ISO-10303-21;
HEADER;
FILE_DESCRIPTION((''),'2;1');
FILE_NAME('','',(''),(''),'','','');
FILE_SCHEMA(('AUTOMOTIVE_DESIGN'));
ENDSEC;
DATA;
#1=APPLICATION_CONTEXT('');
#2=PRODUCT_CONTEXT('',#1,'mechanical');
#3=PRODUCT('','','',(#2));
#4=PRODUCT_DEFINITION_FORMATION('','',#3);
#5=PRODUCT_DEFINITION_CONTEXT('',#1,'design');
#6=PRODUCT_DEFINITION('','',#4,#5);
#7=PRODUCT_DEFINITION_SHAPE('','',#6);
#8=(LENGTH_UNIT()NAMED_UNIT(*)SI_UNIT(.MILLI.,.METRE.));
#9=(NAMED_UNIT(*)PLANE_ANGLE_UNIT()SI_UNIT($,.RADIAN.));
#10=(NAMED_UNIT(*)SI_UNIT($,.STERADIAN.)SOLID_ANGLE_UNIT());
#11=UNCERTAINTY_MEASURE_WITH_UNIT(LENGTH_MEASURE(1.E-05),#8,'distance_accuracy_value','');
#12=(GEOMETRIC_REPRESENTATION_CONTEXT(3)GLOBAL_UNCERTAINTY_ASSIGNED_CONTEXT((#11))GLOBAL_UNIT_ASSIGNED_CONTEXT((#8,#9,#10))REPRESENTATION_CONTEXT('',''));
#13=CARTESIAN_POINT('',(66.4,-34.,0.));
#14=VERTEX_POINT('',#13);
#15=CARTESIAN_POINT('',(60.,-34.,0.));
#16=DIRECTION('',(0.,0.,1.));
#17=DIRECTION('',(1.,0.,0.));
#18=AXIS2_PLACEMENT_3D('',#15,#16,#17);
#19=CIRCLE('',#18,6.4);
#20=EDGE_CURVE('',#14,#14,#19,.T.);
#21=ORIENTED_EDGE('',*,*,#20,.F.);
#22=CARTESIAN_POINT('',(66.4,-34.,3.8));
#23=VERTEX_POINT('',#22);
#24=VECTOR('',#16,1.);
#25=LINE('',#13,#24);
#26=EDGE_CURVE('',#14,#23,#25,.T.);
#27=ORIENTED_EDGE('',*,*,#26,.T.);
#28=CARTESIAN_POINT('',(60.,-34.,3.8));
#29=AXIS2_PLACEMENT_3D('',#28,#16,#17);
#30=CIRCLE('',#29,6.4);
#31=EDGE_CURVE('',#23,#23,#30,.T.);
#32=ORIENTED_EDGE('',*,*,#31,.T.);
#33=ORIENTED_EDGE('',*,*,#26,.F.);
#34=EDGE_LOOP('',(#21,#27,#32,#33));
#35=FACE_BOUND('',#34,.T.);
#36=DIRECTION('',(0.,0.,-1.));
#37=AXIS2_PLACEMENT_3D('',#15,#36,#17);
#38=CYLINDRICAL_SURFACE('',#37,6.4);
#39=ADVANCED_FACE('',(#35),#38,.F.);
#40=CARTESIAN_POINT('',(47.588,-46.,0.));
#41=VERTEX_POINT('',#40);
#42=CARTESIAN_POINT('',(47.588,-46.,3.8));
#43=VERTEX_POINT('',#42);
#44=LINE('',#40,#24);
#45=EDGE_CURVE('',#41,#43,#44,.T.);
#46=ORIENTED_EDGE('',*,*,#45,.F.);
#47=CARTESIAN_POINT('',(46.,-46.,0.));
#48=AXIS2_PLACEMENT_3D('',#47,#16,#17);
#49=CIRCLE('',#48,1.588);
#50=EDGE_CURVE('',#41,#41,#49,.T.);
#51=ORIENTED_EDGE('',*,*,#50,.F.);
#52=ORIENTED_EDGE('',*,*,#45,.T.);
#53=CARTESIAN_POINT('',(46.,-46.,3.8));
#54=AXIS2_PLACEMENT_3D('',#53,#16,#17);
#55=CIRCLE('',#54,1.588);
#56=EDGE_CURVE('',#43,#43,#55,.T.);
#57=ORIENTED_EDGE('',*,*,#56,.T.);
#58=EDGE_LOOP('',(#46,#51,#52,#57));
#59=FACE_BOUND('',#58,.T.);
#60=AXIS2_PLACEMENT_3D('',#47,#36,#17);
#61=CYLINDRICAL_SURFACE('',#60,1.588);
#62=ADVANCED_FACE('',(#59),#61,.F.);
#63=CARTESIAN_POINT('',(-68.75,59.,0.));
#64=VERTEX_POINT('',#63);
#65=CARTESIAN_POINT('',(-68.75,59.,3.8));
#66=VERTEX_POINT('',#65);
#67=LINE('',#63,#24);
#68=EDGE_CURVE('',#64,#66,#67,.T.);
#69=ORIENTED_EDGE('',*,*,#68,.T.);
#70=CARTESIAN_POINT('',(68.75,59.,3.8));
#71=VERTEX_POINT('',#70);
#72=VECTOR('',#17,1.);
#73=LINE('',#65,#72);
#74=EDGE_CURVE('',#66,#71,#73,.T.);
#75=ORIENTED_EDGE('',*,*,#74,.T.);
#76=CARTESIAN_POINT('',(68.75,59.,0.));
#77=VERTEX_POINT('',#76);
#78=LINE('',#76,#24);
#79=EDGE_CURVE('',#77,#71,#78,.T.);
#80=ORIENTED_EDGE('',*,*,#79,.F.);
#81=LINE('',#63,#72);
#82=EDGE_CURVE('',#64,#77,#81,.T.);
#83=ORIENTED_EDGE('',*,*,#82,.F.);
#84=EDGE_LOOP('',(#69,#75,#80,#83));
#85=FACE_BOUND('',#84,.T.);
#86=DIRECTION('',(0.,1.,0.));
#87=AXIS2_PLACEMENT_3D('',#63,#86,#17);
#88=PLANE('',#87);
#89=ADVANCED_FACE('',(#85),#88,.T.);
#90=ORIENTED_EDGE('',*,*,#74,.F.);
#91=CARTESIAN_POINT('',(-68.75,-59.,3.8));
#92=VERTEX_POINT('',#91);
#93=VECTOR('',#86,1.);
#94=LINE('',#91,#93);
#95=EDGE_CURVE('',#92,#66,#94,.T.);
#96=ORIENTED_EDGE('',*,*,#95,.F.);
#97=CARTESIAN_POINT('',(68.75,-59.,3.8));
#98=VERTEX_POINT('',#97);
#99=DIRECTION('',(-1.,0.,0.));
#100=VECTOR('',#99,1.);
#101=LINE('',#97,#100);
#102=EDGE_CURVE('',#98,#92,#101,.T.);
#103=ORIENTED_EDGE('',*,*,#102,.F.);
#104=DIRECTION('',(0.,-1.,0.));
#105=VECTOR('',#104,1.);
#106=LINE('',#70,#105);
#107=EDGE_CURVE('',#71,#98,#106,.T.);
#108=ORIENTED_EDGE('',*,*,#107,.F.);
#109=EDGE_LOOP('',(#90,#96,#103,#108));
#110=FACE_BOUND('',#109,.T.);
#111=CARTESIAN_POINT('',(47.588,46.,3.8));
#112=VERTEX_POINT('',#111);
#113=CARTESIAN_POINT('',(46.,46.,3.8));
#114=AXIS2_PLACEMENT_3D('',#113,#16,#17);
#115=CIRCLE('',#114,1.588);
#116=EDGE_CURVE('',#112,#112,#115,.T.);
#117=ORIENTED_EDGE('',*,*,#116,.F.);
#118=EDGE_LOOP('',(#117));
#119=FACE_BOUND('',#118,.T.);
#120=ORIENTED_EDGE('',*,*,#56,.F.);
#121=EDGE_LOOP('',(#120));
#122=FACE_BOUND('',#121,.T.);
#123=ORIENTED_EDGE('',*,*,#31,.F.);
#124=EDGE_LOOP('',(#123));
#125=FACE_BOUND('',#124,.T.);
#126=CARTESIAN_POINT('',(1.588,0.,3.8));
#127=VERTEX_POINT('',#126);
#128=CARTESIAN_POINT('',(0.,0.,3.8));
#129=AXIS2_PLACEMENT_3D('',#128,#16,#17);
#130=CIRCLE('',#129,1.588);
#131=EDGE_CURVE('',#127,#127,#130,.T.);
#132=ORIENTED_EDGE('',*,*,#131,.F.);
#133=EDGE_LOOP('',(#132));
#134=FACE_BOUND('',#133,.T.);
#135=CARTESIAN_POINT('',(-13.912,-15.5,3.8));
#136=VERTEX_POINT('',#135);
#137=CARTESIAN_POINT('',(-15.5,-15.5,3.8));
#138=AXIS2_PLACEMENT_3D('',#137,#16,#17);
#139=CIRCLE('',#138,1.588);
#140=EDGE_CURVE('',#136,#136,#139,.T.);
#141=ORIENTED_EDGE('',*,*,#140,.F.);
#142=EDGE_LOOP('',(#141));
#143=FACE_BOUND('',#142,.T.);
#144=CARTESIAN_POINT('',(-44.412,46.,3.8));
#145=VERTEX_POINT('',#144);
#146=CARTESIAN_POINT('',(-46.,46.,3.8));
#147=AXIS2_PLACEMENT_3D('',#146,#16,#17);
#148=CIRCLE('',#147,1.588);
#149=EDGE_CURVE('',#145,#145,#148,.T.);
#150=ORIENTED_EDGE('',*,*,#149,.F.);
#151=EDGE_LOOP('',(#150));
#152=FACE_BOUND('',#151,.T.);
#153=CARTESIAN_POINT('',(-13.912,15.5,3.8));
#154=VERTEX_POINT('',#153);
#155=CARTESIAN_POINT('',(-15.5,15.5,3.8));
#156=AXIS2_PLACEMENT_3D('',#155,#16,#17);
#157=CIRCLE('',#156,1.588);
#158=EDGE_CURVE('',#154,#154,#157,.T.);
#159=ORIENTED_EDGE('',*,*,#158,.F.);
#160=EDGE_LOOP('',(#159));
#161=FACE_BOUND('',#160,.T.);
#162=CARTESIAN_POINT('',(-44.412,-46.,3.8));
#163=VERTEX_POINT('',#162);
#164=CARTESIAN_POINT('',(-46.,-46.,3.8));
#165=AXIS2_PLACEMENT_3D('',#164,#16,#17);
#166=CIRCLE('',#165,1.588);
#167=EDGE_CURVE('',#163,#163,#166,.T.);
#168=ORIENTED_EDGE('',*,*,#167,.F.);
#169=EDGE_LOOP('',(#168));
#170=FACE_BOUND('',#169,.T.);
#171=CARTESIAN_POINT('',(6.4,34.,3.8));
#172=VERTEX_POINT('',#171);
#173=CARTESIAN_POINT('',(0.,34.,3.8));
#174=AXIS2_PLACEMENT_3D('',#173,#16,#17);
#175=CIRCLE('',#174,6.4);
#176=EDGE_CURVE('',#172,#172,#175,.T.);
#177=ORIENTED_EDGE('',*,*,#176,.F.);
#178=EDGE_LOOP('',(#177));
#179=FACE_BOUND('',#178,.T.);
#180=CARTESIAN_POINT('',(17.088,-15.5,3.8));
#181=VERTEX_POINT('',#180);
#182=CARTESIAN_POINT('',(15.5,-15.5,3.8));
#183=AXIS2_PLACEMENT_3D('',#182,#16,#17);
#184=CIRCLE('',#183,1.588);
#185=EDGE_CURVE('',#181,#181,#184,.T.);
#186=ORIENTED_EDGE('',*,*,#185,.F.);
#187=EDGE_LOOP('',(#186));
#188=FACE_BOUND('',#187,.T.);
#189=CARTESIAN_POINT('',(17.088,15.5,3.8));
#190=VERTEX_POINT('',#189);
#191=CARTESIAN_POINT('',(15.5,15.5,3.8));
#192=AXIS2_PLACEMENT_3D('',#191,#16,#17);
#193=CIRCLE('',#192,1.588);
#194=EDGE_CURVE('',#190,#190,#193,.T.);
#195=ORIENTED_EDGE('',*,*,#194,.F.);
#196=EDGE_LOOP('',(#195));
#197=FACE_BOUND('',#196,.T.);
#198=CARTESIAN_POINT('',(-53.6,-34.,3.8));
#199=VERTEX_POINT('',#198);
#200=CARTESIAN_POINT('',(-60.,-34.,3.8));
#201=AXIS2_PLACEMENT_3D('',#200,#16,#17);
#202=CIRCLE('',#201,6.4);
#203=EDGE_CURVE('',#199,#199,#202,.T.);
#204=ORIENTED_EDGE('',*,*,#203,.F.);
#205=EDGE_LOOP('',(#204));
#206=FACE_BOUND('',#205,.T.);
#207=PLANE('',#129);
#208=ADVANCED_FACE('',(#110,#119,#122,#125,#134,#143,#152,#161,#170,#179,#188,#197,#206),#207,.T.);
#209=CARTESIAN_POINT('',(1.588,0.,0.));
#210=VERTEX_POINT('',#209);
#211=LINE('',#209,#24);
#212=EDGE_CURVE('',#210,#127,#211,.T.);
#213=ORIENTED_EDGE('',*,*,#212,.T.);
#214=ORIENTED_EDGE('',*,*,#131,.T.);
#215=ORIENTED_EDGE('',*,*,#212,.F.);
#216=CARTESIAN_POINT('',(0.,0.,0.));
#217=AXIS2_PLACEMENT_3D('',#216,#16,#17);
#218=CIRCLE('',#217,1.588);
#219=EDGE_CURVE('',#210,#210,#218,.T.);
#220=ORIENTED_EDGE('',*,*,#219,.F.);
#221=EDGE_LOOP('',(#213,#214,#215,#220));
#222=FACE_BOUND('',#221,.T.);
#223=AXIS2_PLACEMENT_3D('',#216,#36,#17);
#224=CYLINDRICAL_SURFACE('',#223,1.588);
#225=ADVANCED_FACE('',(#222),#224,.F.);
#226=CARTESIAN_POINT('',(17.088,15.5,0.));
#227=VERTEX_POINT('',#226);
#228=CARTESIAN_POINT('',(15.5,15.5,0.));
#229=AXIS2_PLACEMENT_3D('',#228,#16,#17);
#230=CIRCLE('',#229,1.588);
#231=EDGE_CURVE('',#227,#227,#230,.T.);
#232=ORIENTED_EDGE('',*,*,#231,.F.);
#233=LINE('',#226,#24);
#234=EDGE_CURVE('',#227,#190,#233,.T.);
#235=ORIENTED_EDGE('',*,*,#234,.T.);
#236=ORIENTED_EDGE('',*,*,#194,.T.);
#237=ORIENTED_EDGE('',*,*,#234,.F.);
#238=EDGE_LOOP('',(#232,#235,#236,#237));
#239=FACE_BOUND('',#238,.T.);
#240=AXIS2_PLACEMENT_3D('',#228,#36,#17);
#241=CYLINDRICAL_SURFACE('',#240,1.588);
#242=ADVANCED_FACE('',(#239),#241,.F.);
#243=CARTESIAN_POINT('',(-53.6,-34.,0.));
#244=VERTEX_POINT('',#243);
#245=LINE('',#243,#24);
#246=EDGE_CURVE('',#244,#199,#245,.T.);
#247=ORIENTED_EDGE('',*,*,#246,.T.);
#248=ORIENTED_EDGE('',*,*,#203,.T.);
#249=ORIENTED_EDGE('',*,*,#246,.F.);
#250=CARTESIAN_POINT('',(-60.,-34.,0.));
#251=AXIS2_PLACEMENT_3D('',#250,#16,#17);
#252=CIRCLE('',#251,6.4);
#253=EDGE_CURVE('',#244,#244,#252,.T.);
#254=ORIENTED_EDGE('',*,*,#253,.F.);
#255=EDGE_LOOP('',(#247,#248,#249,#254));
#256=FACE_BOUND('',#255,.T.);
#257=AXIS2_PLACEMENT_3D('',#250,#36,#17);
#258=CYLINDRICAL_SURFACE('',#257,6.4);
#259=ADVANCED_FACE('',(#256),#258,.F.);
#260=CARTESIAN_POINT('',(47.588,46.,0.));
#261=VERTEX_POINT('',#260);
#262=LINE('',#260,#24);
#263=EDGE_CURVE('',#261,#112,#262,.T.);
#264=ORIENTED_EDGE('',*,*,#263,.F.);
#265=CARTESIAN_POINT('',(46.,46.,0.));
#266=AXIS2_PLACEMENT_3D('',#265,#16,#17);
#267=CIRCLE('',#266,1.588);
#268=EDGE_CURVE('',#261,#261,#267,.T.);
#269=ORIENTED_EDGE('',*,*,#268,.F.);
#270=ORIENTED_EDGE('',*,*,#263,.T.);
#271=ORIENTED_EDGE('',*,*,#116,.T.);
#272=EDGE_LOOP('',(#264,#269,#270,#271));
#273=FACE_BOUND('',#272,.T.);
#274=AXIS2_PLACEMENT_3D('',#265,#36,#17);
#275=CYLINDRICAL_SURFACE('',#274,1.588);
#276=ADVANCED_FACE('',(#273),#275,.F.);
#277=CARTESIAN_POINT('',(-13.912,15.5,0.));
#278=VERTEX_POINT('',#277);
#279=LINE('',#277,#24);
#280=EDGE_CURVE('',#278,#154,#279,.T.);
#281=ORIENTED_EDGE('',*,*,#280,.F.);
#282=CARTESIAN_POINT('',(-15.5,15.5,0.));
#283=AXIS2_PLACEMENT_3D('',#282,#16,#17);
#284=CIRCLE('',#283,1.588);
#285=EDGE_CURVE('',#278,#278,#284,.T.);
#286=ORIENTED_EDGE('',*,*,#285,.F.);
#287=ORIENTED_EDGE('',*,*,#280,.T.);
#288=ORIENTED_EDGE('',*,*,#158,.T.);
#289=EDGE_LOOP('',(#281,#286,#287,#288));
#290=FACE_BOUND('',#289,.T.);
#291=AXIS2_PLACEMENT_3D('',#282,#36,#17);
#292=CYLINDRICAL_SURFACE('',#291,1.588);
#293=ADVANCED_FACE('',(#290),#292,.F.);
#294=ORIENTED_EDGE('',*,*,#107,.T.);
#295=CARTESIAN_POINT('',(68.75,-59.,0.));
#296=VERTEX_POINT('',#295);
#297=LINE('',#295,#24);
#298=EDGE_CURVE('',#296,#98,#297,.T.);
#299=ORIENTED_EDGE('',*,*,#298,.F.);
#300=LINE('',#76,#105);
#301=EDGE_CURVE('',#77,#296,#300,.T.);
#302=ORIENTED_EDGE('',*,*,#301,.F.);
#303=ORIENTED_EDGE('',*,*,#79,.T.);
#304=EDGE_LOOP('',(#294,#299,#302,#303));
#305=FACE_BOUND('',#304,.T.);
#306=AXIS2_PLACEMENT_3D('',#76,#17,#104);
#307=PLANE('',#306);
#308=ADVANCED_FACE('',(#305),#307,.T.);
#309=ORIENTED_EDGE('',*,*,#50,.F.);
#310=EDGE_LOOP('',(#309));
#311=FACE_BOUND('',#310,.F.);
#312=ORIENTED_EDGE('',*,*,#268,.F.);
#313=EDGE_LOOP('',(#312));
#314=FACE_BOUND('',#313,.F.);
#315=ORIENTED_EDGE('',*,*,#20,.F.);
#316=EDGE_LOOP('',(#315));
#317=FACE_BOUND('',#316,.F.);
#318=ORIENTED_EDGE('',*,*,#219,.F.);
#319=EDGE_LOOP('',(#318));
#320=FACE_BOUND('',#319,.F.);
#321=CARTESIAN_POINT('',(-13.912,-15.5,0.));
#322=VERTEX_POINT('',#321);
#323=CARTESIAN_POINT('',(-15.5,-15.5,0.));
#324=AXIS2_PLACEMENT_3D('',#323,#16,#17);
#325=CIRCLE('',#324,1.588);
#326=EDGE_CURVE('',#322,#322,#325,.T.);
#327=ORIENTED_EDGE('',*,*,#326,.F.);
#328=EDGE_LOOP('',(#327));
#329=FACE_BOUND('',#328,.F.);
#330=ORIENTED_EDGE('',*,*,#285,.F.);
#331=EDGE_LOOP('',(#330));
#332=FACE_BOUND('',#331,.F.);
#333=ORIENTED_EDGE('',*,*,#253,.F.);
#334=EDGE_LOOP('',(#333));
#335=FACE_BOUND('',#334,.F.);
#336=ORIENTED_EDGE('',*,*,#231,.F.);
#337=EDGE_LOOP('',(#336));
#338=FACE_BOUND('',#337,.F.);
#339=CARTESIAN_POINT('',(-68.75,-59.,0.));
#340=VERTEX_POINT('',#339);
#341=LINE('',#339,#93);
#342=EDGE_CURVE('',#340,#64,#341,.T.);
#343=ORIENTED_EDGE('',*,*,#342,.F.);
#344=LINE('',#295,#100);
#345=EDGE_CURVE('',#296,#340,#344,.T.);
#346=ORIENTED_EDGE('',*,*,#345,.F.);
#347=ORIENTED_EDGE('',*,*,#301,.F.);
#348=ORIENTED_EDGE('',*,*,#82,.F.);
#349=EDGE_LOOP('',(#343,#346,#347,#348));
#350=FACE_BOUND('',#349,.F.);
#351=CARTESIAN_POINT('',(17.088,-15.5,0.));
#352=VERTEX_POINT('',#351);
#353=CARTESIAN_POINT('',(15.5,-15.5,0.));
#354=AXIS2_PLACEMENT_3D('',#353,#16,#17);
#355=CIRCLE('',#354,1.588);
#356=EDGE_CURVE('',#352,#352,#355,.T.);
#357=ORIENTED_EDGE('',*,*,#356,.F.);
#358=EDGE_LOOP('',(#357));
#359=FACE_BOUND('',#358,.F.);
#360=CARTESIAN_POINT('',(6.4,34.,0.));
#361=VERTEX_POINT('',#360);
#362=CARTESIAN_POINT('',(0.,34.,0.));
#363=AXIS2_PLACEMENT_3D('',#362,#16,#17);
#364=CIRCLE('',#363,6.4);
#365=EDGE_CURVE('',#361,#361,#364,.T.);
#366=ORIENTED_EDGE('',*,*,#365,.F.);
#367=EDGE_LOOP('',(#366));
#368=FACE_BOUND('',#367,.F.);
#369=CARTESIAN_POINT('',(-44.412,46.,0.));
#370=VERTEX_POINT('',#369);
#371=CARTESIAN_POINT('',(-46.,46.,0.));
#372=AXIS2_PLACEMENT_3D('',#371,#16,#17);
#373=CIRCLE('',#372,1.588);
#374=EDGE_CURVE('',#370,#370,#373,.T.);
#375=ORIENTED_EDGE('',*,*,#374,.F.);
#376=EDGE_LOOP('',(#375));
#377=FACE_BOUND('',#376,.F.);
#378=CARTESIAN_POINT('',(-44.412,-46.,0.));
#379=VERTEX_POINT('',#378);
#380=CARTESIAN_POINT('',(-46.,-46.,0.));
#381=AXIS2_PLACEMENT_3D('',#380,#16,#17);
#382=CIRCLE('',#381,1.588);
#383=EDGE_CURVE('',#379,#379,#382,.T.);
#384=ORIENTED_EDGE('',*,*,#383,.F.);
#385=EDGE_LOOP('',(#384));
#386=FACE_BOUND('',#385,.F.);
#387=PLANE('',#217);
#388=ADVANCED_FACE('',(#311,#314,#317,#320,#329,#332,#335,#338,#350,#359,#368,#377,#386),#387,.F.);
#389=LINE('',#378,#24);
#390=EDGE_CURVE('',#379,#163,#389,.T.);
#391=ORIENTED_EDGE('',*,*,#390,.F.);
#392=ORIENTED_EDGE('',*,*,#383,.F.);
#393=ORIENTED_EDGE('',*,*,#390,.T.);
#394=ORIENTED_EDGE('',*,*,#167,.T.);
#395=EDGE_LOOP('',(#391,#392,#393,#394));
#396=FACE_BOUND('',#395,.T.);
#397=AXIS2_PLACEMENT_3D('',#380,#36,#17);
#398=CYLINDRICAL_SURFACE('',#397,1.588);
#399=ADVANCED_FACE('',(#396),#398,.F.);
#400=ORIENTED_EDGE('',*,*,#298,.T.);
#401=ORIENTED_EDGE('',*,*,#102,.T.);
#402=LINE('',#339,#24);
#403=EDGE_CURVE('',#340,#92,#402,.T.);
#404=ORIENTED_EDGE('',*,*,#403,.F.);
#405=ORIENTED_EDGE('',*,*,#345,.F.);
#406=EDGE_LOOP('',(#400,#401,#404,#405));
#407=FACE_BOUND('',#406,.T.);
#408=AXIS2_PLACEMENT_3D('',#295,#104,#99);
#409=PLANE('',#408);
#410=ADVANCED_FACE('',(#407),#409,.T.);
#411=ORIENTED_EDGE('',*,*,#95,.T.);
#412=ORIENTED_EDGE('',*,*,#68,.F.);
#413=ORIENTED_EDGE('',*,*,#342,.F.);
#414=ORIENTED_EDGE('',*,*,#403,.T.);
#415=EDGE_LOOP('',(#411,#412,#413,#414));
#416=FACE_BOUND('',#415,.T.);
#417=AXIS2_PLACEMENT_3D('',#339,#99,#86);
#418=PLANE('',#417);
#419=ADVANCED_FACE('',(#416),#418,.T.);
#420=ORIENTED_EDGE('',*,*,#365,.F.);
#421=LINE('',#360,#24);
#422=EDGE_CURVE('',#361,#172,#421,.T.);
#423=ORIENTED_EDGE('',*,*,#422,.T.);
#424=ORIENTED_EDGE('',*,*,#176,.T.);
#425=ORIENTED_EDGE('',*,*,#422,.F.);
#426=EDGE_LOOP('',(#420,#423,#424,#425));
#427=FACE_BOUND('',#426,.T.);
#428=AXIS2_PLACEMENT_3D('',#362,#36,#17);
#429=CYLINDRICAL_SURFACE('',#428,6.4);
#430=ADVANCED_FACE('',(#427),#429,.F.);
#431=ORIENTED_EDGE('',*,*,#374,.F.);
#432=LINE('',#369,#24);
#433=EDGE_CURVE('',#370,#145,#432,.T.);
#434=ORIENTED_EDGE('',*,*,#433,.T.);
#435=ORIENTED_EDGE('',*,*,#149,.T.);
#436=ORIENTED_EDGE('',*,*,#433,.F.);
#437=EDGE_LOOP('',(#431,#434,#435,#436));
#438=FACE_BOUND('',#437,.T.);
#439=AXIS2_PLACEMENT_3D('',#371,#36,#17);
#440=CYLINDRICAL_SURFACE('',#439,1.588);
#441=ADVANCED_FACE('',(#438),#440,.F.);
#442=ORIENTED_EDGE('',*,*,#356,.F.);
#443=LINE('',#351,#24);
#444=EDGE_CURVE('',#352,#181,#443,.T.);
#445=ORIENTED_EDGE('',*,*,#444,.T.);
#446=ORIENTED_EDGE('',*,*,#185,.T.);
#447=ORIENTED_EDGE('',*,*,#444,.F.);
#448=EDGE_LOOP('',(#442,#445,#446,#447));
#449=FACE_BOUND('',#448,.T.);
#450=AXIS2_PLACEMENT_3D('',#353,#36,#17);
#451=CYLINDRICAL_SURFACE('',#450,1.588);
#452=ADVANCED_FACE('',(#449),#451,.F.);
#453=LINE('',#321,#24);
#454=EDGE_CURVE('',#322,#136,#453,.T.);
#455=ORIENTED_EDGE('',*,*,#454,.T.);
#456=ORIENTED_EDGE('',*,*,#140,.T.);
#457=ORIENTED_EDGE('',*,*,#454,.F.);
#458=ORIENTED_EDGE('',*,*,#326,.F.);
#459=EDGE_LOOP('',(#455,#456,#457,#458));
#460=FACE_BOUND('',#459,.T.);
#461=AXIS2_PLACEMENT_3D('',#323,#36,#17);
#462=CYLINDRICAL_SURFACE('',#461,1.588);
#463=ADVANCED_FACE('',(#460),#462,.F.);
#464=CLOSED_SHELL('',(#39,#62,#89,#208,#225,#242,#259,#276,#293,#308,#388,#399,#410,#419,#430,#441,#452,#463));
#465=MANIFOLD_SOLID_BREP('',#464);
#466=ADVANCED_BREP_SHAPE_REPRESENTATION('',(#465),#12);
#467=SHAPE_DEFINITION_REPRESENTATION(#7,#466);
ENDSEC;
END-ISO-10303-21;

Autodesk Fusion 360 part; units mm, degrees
sketch "movingPlatform" plane through (0, 0, 0) normal (0, 0, 1) x (1, 0, 0)
  line L0 (-68.75, 59) -> (68.75, 59)
  line L1 (68.75, 59) -> (68.75, -59)
  line L2 (68.75, -59) -> (-68.75, -59)
  line L3 (-68.75, -59) -> (-68.75, 59)
  line L4 (-68.75, 59) -> (68.75, -59) construction
  line L5 (68.75, 59) -> (-68.75, -59) construction
  circle A0 centre (-60, -34) radius 6.4
  line L6 (0, 2.5) -> (0, 20)
  circle A1 centre (60, -34) radius 6.4
  circle A2 centre (0, 34) radius 6.4
  circle A3 centre (-46, -46) radius 1.588
  circle A4 centre (-15.5, -15.5) radius 1.588
  circle A5 centre (0, 0) radius 57 construction
  circle A6 centre (15.5, -15.5) radius 1.588
  circle A7 centre (15.5, 15.5) radius 1.588
  circle A8 centre (46, -46) radius 1.588
  circle A9 centre (-46, 46) radius 1.588
  circle A10 centre (46, 46) radius 1.588
  circle A11 centre (-15.5, 15.5) radius 1.588
  circle A12 centre (0, 0) radius 1.588
  dimension "d1" = 137.5
  dimension "d2" = 118
  dimension "d3" = 12.8
  dimension "d4" = 120
  dimension "d5" = 12.8
  dimension "d6" = 68
  dimension "d7" = 25
  dimension "d8" = 25
  dimension "d9" = 3.176
  dimension "d12" = 92
  dimension "d13" = 92
  dimension "d21" = 3.176
  dimension "d24" = 31
  dimension "d25" = 31
  dimension "d27" = 15.5
  dimension "d31" = 114
  dimension "d34" = 46
  dimension "d37" = 46
  dimension "d49" = 15.5
  dimension "d52" = 3.176
extrude "Extrude3" add sketch "movingPlatform" along normal blind 3.8
equation "d4 = 132.800 mm - 12.8 mm"
